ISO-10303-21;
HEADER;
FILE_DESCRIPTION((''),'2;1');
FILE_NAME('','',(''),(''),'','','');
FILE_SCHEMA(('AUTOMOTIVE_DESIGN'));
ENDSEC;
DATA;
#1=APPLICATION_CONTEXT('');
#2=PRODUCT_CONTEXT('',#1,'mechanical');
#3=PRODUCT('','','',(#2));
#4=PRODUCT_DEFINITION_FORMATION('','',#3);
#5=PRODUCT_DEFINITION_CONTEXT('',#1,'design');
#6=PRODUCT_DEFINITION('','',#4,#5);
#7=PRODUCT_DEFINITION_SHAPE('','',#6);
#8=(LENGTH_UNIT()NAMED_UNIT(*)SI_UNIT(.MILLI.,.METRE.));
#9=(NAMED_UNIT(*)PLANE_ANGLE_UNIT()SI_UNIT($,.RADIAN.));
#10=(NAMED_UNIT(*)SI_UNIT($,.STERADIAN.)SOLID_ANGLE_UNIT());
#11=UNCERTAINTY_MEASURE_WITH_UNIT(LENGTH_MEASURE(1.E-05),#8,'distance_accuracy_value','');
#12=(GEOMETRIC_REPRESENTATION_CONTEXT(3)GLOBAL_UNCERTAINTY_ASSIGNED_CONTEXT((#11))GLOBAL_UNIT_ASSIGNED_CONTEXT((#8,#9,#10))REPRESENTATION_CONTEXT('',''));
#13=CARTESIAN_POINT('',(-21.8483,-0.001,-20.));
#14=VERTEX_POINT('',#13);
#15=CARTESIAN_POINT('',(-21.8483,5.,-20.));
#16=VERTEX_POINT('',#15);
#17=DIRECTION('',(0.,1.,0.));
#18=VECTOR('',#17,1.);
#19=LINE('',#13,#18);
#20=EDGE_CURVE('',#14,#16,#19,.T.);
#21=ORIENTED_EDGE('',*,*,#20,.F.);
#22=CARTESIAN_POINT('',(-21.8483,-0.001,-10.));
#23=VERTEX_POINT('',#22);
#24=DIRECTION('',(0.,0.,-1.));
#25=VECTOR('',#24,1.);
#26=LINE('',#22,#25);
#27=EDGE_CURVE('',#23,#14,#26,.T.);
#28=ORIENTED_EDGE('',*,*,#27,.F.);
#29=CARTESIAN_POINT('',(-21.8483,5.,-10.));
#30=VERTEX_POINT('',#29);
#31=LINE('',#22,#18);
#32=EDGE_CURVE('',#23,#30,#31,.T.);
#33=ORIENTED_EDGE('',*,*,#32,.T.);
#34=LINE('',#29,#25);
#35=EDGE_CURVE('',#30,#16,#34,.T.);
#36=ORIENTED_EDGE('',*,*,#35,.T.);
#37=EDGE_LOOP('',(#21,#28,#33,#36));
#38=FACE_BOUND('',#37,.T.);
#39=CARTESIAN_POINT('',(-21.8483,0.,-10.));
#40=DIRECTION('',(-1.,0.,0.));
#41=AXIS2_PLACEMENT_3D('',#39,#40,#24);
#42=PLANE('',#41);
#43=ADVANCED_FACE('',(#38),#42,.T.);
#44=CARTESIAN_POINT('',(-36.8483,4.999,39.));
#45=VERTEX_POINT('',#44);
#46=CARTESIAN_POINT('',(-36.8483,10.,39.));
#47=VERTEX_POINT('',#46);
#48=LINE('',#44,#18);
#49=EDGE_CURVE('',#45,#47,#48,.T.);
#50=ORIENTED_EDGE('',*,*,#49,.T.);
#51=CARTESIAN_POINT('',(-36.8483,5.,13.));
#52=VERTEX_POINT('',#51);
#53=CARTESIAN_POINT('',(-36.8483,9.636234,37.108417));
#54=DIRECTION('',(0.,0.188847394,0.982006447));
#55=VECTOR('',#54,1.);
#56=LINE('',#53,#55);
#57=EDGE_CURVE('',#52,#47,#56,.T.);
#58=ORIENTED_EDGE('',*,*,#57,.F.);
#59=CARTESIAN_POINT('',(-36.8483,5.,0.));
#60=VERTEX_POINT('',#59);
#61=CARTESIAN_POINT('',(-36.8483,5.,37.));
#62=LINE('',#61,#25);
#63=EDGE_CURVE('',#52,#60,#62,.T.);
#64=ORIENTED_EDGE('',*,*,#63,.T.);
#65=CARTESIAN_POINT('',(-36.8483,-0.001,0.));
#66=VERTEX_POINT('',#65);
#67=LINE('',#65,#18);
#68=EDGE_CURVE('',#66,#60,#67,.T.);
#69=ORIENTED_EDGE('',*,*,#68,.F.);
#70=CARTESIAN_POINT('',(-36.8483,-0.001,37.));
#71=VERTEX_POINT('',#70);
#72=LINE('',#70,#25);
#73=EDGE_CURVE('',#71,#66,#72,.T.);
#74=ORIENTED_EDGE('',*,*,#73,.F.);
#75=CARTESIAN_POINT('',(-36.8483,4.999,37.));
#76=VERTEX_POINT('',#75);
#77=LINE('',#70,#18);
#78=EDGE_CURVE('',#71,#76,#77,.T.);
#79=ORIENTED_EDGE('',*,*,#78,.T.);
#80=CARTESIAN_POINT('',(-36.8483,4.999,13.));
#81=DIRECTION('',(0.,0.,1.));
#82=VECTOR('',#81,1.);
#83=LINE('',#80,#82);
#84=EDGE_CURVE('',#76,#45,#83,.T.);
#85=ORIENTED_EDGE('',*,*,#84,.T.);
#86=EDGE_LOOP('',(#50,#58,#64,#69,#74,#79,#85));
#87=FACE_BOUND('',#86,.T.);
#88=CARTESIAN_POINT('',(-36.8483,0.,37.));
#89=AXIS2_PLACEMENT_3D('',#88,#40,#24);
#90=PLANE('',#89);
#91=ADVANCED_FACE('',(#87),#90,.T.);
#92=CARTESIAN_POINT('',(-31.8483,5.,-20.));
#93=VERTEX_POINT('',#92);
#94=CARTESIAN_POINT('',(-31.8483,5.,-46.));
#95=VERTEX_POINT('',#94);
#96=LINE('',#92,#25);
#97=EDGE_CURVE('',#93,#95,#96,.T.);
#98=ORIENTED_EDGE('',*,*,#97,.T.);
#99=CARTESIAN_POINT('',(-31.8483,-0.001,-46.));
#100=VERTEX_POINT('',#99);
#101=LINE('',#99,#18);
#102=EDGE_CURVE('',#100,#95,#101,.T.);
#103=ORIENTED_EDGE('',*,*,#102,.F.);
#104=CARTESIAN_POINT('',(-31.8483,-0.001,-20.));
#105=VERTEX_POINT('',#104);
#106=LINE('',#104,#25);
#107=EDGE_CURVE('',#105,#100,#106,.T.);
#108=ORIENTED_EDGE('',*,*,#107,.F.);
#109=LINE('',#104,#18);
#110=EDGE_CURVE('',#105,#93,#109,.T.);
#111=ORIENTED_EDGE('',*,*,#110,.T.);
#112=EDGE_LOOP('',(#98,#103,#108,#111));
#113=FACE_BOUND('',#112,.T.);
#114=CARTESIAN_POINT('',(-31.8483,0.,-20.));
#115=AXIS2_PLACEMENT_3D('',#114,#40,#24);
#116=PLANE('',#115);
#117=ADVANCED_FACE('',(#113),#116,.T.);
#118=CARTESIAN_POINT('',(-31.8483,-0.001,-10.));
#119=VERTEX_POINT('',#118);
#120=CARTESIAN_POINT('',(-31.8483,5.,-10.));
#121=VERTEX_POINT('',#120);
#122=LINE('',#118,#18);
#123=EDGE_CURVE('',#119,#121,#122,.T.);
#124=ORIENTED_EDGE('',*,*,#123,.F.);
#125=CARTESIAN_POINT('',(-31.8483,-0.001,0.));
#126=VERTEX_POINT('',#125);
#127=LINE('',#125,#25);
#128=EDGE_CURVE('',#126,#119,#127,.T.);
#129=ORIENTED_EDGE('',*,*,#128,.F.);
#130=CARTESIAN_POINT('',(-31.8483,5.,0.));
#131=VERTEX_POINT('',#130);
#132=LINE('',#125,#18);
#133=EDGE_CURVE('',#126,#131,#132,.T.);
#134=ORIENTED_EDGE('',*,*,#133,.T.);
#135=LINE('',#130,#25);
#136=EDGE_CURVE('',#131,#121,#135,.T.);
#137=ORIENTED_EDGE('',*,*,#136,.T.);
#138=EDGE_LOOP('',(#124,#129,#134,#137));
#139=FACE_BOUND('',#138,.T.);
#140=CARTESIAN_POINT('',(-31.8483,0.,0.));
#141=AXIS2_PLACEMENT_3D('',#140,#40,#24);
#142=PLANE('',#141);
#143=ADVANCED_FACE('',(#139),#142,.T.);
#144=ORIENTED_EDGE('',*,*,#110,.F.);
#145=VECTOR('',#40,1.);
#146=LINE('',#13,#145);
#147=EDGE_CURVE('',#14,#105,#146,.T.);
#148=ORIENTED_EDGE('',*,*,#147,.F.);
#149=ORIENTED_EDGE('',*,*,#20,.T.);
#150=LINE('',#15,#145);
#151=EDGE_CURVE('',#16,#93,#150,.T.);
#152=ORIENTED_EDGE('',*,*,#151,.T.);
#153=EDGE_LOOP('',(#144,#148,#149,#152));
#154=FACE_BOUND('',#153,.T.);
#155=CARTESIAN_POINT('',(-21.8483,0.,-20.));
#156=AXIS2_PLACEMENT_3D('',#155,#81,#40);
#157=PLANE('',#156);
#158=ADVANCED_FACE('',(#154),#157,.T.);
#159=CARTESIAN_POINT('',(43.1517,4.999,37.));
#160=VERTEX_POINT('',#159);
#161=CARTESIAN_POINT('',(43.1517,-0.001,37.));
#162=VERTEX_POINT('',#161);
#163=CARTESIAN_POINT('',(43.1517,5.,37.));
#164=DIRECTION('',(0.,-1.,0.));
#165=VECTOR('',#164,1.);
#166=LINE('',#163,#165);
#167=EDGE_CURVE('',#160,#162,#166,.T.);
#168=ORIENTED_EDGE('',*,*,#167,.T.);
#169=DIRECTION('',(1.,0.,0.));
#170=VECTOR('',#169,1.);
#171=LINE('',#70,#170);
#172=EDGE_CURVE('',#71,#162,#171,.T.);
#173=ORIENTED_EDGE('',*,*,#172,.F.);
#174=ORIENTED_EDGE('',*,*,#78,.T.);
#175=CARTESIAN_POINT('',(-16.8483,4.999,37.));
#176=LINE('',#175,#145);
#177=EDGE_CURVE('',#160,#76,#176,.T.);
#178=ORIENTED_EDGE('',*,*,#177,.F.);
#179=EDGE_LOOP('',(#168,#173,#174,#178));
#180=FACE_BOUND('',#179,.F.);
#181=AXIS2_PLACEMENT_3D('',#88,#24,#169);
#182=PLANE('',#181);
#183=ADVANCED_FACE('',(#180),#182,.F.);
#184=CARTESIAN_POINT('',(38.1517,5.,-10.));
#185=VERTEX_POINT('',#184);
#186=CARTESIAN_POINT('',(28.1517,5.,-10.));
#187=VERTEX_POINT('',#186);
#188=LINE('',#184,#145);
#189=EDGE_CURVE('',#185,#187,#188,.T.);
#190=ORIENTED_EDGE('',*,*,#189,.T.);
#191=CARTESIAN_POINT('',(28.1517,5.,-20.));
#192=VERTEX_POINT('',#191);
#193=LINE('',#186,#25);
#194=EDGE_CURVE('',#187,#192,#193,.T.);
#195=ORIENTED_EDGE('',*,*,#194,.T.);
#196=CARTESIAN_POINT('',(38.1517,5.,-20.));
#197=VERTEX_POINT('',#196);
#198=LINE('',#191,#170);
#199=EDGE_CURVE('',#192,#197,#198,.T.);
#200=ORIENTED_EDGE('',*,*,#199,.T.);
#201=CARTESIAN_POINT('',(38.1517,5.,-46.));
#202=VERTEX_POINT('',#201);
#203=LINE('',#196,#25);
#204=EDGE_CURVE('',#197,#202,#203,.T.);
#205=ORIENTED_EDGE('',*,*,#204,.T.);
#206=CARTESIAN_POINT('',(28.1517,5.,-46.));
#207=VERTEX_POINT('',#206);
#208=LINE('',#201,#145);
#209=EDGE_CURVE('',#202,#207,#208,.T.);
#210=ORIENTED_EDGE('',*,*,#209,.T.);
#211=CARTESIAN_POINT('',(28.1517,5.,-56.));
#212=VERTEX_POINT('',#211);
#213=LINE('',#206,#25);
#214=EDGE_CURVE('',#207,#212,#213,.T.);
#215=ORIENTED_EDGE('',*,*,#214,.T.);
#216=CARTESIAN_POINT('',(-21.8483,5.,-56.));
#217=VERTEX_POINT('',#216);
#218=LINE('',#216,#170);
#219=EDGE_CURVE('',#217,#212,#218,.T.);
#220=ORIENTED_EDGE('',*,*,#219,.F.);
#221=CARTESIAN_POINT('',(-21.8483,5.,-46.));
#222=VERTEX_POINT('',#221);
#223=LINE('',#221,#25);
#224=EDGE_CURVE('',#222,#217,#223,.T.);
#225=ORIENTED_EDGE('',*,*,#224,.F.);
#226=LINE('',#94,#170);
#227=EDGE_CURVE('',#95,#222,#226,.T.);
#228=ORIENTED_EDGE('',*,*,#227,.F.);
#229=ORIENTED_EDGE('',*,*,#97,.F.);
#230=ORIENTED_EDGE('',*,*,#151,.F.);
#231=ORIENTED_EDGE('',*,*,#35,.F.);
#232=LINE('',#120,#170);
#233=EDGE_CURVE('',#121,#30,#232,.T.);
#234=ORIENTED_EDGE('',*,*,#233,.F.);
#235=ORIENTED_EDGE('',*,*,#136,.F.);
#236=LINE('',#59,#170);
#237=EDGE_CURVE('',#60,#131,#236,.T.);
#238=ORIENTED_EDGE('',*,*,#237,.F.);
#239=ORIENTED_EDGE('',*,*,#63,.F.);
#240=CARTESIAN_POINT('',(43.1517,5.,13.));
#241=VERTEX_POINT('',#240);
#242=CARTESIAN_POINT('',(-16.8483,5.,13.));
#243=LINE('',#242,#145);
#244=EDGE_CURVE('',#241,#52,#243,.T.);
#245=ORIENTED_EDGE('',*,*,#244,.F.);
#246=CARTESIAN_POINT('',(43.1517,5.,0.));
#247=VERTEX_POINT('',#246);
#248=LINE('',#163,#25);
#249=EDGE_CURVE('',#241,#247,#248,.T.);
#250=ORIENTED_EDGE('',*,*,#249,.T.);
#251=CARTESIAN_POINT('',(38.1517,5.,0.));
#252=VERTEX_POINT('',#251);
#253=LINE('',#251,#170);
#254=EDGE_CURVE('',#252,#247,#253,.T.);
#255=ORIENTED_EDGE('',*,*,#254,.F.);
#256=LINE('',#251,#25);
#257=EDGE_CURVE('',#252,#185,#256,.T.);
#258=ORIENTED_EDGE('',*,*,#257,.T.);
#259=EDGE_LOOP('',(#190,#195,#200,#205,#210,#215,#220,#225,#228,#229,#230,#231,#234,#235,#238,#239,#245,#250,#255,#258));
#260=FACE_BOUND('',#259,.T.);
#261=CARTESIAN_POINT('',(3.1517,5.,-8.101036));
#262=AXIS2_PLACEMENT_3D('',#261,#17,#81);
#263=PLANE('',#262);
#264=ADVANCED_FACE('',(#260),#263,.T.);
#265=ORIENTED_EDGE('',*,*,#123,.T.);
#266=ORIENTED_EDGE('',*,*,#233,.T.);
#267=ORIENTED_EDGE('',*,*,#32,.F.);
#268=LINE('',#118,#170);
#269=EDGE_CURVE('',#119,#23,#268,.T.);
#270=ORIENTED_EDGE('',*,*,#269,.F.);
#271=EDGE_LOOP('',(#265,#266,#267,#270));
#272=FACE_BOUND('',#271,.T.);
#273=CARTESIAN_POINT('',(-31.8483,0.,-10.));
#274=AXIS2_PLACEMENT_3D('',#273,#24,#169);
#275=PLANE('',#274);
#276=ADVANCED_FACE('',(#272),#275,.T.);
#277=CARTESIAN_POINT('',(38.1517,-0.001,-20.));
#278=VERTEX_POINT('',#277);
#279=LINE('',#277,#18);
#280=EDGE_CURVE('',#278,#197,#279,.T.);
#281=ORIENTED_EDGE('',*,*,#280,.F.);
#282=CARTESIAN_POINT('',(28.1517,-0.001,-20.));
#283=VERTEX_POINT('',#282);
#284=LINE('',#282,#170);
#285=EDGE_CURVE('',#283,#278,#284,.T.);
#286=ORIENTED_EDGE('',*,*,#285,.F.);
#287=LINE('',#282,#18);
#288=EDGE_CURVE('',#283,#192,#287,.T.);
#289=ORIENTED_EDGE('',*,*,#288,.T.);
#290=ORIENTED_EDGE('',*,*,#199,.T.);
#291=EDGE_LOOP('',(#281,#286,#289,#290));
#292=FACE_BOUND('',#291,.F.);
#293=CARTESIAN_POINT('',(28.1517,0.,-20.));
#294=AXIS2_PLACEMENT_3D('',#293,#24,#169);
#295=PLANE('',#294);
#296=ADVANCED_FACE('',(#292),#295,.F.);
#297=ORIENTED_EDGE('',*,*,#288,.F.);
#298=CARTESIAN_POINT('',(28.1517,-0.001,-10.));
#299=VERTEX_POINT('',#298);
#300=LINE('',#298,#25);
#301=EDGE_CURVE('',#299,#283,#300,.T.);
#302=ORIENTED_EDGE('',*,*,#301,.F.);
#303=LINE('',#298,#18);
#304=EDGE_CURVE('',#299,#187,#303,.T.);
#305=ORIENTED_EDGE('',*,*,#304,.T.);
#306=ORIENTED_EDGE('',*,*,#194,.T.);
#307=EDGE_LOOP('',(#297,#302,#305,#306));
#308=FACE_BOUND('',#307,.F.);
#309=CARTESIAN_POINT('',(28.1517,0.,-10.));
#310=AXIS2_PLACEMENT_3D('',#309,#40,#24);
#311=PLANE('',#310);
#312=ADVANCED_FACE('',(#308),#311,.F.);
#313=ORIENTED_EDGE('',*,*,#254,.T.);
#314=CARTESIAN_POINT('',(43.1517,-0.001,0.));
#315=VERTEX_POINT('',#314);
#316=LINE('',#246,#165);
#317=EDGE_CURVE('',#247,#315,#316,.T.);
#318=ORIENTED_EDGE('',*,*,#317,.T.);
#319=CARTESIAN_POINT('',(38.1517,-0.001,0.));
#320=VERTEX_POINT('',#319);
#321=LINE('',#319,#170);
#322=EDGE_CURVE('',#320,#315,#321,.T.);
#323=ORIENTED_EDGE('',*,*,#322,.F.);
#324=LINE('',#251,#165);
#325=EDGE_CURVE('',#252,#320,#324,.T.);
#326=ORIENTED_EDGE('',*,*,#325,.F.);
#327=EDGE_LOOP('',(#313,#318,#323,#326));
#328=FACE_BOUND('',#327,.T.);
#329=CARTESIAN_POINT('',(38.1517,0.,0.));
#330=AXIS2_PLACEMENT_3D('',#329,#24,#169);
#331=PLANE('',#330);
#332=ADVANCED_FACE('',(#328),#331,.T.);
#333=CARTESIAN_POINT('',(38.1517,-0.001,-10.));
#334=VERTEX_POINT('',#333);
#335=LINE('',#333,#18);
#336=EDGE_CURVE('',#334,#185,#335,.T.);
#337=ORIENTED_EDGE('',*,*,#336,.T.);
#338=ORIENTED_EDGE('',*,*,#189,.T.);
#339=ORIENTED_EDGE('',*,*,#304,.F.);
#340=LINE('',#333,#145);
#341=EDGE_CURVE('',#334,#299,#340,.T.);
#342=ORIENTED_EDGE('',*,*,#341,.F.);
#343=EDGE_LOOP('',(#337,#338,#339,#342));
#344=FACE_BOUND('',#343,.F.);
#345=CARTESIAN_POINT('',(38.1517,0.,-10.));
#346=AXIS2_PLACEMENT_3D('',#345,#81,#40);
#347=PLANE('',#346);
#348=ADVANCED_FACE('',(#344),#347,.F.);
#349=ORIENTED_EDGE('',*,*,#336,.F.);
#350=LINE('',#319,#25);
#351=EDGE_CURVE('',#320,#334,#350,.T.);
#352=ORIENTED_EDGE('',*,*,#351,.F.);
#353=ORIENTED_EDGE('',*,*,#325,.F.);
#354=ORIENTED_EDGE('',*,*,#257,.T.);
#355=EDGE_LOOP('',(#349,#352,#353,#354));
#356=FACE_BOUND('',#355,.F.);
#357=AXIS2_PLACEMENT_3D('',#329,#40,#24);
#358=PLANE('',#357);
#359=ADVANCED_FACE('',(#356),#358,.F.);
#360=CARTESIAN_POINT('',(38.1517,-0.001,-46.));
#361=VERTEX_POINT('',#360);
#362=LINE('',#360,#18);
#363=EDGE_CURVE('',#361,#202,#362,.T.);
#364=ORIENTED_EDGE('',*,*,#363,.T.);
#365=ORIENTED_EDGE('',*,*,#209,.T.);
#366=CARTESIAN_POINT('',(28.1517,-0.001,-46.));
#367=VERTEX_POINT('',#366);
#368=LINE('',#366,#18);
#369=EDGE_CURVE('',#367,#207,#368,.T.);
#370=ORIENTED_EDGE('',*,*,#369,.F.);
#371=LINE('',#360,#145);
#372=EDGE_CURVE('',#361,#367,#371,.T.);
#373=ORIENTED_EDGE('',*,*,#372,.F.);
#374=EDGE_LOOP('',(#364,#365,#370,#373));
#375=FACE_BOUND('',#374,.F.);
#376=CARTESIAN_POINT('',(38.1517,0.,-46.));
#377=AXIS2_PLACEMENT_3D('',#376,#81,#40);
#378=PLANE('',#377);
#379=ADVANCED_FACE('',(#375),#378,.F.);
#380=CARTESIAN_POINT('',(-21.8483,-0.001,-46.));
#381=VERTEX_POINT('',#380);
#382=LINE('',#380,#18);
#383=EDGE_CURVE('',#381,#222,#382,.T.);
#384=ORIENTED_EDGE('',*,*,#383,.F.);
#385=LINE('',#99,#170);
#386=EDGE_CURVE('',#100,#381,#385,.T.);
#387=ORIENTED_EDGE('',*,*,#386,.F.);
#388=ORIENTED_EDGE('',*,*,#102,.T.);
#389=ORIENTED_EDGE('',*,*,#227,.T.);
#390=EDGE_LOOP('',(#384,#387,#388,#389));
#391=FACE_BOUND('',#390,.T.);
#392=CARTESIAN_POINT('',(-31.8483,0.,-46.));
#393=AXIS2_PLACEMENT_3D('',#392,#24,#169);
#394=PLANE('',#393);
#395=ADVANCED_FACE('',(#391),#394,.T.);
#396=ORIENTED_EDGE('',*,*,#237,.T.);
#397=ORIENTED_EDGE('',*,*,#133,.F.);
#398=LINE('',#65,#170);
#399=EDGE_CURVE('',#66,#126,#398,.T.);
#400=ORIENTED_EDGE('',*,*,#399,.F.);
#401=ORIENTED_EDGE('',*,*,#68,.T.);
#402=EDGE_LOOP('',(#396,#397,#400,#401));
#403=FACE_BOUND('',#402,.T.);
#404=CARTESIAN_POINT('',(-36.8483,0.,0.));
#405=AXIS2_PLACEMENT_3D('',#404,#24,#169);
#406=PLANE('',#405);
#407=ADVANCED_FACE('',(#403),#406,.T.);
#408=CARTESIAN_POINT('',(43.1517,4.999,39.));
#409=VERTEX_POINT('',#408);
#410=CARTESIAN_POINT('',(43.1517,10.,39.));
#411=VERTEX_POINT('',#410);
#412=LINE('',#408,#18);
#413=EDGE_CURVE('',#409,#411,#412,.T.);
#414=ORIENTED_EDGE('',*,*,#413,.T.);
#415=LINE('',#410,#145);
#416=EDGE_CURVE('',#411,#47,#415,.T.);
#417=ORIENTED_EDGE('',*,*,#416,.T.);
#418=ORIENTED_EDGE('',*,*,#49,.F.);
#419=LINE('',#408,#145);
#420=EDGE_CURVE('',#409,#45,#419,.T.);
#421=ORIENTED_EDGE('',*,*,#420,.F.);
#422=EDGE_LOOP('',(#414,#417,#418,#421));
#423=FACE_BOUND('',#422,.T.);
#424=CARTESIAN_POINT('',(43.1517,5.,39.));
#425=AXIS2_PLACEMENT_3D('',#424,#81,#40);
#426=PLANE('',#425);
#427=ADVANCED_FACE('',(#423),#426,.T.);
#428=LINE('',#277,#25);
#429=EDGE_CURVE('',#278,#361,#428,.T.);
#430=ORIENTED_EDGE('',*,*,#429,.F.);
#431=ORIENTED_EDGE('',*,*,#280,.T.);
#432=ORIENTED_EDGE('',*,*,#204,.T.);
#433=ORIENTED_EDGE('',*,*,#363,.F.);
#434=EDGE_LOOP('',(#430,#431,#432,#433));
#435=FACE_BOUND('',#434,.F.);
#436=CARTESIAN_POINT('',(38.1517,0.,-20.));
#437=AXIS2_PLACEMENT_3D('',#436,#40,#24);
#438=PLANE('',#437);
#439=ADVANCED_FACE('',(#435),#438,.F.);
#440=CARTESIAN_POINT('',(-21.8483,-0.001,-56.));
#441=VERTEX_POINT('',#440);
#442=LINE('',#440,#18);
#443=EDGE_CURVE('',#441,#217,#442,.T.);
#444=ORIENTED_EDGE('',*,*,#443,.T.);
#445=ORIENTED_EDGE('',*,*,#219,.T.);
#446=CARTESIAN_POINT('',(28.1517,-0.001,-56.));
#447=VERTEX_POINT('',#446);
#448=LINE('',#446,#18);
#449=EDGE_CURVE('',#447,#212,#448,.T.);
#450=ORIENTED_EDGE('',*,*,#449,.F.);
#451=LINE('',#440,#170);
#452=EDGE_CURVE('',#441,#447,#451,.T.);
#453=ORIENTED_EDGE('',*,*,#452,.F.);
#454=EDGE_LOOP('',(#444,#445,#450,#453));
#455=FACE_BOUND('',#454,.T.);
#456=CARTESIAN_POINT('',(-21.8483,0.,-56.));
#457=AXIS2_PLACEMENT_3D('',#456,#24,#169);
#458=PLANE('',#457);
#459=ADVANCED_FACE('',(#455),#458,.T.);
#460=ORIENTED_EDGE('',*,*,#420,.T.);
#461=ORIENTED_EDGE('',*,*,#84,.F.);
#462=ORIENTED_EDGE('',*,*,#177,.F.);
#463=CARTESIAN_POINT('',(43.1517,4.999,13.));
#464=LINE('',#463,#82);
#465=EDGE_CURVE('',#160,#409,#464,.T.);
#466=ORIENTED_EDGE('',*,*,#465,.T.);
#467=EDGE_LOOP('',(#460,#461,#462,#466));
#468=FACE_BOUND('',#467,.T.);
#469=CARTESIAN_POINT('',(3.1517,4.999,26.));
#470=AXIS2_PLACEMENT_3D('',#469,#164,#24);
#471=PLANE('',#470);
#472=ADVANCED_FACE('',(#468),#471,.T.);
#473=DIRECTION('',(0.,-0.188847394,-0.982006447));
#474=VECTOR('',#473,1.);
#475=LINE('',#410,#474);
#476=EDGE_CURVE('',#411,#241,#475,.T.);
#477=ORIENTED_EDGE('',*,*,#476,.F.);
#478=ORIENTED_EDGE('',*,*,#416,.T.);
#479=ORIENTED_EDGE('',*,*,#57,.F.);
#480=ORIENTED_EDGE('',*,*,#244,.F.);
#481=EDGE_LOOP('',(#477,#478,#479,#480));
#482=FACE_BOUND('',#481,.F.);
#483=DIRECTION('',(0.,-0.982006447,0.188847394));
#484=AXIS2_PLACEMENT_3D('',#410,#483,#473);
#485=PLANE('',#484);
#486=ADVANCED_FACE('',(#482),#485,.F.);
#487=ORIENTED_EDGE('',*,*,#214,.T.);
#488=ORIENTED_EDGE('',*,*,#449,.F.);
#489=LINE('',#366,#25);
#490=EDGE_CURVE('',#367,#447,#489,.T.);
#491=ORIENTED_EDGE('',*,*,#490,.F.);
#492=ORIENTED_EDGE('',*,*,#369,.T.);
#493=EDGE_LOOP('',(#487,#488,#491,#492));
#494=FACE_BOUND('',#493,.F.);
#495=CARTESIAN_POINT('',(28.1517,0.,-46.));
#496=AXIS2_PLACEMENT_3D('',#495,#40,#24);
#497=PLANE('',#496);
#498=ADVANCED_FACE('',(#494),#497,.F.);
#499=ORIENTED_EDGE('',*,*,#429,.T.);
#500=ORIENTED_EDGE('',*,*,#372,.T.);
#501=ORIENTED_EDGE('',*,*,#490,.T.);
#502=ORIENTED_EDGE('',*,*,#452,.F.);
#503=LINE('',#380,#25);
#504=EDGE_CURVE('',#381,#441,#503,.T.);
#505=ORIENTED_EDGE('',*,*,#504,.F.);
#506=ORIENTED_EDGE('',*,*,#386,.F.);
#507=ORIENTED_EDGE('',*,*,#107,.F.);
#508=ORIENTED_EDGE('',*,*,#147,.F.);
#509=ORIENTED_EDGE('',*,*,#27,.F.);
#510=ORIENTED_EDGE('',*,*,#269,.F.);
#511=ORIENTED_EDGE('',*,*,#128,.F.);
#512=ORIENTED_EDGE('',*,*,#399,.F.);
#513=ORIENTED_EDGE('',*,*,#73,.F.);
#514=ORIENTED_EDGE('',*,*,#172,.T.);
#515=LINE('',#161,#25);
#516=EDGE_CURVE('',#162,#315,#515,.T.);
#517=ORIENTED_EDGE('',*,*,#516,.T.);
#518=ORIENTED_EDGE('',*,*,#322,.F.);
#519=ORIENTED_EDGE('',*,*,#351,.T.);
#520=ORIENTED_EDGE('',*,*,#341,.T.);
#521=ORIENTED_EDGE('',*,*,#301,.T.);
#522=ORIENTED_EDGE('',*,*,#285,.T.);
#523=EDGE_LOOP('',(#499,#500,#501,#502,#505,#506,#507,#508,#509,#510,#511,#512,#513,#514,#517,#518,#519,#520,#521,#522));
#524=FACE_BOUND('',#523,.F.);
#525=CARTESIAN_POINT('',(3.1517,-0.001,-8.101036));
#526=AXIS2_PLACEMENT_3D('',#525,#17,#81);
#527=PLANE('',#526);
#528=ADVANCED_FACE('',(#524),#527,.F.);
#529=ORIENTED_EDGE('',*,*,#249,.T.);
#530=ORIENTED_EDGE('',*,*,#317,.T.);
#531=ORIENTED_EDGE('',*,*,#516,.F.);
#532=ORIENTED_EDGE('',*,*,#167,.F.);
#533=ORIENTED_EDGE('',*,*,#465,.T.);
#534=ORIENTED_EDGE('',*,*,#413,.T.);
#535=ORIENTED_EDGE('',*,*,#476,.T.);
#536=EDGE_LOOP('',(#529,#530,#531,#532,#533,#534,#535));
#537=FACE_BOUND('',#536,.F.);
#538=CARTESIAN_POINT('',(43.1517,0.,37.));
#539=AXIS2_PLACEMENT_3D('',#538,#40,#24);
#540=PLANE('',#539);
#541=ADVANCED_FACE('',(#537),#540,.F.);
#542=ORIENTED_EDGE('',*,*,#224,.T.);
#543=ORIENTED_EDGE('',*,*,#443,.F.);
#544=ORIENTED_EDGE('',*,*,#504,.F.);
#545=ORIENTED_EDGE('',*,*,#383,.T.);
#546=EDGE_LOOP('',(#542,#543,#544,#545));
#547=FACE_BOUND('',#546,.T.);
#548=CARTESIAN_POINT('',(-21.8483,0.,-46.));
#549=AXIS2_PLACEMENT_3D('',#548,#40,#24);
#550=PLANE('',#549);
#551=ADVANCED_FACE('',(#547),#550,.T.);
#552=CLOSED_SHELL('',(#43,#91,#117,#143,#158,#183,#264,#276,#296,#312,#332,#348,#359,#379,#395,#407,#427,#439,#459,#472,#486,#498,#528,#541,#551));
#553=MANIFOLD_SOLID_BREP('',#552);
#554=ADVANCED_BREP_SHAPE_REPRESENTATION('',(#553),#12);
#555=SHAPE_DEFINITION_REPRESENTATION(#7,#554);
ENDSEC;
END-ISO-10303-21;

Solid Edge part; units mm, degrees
sketch "Sketch1" plane through (0, 0, 0) normal (0, -1, 0) x (1, 0, 0)
  line L0 (38.1517, 0) -> (38.1517, -10)
  line L1 (38.1517, -10) -> (28.1517, -10)
  line L2 (28.1517, -10) -> (28.1517, -20)
  line L3 (28.1517, -20) -> (38.1517, -20)
  line L4 (38.1517, -20) -> (38.1517, -46)
  line L5 (38.1517, -46) -> (28.1517, -46)
  line L6 (28.1517, -46) -> (28.1517, -56)
  line L7 (-21.8483, -56) -> (28.1517, -56)
  line L8 (-21.8483, -46) -> (-21.8483, -56)
  line L9 (-31.8483, -46) -> (-21.8483, -46)
  line L10 (-31.8483, -20) -> (-31.8483, -46)
  line L11 (-21.8483, -20) -> (-31.8483, -20)
  line L12 (-21.8483, -10) -> (-21.8483, -20)
  line L13 (-31.8483, -10) -> (-21.8483, -10)
  line L14 (-31.8483, 0) -> (-31.8483, -10)
  line L15 (-36.8483, 0) -> (-31.8483, 0)
  line L16 (-36.8483, 37) -> (-36.8483, 0)
  line L17 (-36.8483, 37) -> (43.1517, 37)
  line L18 (43.1517, 37) -> (43.1517, 0)
  line L19 (38.1517, 0) -> (43.1517, 0)
extrude "Extrusionsausprägung_1" add sketch "Sketch1" against normal blind 5 and the other way blind 0.001
sketch "Sketch2" plane through (3.1517, 5, -9.5) normal (0, 1, 0) x (0, 0, -1)
  line L0 (-46.5, 40) -> (-22.5, 40)
  line L1 (-22.5, 40) -> (-22.5, -40)
  line L2 (-22.5, -40) -> (-48.5, -40)
  line L3 (-48.5, -40) -> (-48.5, 40)
  line L4 (-48.5, 40) -> (-46.5, 40)
extrude "Extrusionsausprägung_2" add sketch "Sketch2" along normal blind 5 and the other way blind 0.001
sketch "Sketch3" plane through (43.1517, 4.9995, 19.5) normal (1, 0, 0) x (0, 0, -1)
  line L0 (-19.5, 5.0005) -> (6.5, 0.0005)
  line L1 (6.5, 0.0005) -> (9.9801, 7.8832)
  line L2 (9.9801, 7.8832) -> (-19.5, 5.0005)
extrude "Extrusionsausschnitt_1" cut sketch "Sketch3" against normal blind 96.3179
